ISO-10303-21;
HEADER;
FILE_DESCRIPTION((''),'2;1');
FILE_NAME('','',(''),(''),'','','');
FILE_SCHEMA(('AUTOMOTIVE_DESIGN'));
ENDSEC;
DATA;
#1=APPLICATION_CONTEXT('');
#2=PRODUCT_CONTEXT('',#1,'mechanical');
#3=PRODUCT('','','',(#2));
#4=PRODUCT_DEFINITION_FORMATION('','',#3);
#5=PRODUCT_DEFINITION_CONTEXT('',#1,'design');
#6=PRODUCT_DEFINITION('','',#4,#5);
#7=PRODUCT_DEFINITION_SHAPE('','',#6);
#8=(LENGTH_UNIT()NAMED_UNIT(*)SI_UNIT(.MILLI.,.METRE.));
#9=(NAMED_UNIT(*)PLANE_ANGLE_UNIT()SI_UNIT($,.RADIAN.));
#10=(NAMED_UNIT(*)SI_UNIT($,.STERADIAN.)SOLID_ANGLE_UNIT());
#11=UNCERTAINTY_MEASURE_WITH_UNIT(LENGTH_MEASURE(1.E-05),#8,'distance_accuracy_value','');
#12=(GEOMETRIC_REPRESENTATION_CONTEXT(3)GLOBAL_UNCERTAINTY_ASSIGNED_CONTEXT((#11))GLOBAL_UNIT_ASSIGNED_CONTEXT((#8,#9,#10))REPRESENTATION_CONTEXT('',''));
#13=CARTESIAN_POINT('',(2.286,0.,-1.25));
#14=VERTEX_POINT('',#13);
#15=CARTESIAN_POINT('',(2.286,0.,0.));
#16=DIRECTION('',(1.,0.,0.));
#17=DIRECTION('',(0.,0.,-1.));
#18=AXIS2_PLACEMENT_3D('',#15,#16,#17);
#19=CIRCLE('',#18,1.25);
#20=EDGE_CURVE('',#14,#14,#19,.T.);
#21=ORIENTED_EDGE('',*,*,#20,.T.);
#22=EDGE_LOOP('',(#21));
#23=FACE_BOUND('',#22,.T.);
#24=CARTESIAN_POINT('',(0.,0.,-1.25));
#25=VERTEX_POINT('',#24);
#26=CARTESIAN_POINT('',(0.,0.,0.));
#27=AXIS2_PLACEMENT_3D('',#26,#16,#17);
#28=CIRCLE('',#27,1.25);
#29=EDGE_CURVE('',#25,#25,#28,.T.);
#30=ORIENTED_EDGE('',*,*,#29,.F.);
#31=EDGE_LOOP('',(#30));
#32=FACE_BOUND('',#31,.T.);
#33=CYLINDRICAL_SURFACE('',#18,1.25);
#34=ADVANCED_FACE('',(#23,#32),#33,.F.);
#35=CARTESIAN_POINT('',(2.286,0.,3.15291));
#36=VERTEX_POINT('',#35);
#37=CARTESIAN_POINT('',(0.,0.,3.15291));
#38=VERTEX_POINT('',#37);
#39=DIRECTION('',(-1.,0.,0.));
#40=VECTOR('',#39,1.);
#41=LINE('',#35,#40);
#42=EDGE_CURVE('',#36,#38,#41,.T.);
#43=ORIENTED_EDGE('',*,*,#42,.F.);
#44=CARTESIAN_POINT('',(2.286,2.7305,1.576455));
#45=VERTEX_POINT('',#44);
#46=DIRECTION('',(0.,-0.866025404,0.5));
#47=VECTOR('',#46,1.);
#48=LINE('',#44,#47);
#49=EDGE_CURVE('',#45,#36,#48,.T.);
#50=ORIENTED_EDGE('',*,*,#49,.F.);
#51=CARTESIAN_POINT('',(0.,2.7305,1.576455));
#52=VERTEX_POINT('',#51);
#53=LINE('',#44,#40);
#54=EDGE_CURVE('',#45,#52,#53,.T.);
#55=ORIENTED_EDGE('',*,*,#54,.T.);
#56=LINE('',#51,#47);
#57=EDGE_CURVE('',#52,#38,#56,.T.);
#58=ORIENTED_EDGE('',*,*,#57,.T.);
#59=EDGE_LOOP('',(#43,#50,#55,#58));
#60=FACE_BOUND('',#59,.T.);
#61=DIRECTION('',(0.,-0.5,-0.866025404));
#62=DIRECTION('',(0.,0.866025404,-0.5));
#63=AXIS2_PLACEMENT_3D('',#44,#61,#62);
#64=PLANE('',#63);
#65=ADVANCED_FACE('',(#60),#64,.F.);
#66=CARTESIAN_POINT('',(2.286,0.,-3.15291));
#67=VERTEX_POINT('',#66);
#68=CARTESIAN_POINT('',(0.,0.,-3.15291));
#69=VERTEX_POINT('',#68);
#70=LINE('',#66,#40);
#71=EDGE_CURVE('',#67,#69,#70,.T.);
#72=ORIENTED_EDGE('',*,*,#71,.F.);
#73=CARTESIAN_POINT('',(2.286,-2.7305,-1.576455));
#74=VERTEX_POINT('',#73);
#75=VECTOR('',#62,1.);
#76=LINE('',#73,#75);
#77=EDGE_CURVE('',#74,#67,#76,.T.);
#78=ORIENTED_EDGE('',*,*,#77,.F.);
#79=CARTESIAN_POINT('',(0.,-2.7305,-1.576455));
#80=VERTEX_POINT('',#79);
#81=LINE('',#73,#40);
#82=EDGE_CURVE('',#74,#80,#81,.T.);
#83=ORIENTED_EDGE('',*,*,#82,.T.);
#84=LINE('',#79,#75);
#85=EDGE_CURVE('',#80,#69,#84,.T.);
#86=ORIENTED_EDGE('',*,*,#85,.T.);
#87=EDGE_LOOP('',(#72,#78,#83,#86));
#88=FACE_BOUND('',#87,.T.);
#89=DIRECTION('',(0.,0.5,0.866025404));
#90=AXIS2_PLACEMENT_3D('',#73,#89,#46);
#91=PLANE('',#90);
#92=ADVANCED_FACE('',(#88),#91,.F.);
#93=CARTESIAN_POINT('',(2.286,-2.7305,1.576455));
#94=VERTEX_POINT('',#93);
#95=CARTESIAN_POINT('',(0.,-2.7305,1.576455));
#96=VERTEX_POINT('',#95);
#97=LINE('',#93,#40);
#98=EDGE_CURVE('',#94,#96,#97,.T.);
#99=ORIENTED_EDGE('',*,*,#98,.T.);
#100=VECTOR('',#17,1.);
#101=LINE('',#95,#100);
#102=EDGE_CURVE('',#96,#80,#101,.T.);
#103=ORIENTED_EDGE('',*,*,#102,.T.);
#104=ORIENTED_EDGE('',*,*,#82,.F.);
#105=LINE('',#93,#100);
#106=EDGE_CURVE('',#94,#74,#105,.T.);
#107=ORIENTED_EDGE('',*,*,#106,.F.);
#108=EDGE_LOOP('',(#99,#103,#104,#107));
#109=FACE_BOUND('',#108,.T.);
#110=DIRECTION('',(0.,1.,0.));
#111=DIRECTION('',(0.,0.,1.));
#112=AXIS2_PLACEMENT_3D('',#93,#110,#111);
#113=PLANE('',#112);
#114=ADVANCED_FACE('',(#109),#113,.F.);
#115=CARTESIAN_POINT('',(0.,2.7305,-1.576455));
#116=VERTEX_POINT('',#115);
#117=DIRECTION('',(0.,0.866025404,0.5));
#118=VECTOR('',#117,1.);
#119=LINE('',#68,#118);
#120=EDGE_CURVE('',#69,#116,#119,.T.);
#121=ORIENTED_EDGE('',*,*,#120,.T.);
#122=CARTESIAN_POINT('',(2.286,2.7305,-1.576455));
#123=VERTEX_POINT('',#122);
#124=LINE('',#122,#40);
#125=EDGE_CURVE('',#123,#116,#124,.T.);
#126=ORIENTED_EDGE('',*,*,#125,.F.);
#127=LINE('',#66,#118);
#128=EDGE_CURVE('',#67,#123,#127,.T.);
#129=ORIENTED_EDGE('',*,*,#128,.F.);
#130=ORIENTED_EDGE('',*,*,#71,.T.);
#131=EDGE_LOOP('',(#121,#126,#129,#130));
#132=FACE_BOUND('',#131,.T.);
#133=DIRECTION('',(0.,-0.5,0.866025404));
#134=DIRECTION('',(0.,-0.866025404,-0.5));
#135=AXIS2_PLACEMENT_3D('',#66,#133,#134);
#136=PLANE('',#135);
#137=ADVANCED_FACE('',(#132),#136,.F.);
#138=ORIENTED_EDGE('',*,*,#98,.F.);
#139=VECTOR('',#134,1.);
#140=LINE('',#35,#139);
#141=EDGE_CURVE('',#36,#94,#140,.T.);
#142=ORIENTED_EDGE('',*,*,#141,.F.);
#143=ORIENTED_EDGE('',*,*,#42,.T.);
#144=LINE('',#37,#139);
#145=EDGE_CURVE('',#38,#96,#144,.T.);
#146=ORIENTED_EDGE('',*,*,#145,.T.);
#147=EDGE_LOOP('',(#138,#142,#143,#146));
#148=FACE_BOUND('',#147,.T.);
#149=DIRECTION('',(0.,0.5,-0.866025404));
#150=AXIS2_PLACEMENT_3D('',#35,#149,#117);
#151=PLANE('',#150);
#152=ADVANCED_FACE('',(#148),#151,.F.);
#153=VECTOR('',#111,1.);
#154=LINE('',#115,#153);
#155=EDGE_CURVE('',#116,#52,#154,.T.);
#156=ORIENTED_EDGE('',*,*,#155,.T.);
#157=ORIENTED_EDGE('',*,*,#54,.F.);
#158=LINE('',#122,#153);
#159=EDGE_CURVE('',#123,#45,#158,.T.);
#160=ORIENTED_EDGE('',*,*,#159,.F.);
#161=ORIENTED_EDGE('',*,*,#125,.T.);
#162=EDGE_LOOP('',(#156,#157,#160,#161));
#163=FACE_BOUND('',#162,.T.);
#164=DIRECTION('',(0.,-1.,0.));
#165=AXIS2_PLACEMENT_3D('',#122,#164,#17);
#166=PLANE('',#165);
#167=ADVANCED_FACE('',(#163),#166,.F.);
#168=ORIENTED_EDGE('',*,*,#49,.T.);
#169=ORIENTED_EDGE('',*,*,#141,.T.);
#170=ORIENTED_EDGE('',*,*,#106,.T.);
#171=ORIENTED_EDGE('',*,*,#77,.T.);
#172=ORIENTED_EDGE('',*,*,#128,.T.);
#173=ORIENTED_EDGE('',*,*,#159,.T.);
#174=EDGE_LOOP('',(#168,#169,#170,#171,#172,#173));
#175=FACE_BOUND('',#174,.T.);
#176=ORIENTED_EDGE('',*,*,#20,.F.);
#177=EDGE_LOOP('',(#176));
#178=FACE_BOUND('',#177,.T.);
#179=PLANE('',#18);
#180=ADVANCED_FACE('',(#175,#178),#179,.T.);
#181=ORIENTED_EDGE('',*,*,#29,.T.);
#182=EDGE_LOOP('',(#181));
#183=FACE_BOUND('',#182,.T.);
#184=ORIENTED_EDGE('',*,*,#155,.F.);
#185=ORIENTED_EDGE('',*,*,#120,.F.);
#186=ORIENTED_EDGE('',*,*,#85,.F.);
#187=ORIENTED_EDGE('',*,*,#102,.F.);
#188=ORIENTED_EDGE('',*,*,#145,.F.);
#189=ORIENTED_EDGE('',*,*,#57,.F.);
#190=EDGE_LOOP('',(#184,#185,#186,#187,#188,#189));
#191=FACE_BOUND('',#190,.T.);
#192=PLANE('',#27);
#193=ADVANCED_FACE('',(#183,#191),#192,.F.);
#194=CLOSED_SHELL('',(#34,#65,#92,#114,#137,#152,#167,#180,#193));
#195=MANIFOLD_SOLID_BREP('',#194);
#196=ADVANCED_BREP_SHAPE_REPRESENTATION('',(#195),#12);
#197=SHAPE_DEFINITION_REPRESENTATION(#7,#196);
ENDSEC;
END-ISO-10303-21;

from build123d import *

# Parameters (mm, degrees)
BOSS_EXTRUDE1_DEPTH             = 2.286
TAP_DRILL_FOR_M3X0_5_TAP1_D     = 2.5
TAP_DRILL_FOR_M3X0_5_TAP1_DEPTH = 25.4
TAP_DRILL_FOR_M3X0_5_TAP1_TIP   = 0.751075774


with BuildPart() as part:
    # Sketch1 → Boss-Extrude1 (new body)
    with BuildSketch(Plane.YZ):
        Polygon((0, -3.15290982), (2.7305, -1.57645491), (2.7305, 1.57645491), (0, 3.15290982), (-2.7305, 1.57645491), (-2.7305, -1.57645491), align=None)
    extrude(amount=BOSS_EXTRUDE1_DEPTH)

    # Tap Drill for M3x0.5 Tap1
    with Locations(Plane(origin=(2.286, 0, 0), x_dir=(0, 0, -1), z_dir=(1, 0, 0))):
        with Locations((0, 0)):
            Hole(TAP_DRILL_FOR_M3X0_5_TAP1_D / 2, depth=TAP_DRILL_FOR_M3X0_5_TAP1_DEPTH)
            with Locations((0, 0, -(TAP_DRILL_FOR_M3X0_5_TAP1_DEPTH + TAP_DRILL_FOR_M3X0_5_TAP1_TIP / 2))):  # 118° drill point
                Cone(0, TAP_DRILL_FOR_M3X0_5_TAP1_D / 2, TAP_DRILL_FOR_M3X0_5_TAP1_TIP, mode=Mode.SUBTRACT)


solid = part.part
